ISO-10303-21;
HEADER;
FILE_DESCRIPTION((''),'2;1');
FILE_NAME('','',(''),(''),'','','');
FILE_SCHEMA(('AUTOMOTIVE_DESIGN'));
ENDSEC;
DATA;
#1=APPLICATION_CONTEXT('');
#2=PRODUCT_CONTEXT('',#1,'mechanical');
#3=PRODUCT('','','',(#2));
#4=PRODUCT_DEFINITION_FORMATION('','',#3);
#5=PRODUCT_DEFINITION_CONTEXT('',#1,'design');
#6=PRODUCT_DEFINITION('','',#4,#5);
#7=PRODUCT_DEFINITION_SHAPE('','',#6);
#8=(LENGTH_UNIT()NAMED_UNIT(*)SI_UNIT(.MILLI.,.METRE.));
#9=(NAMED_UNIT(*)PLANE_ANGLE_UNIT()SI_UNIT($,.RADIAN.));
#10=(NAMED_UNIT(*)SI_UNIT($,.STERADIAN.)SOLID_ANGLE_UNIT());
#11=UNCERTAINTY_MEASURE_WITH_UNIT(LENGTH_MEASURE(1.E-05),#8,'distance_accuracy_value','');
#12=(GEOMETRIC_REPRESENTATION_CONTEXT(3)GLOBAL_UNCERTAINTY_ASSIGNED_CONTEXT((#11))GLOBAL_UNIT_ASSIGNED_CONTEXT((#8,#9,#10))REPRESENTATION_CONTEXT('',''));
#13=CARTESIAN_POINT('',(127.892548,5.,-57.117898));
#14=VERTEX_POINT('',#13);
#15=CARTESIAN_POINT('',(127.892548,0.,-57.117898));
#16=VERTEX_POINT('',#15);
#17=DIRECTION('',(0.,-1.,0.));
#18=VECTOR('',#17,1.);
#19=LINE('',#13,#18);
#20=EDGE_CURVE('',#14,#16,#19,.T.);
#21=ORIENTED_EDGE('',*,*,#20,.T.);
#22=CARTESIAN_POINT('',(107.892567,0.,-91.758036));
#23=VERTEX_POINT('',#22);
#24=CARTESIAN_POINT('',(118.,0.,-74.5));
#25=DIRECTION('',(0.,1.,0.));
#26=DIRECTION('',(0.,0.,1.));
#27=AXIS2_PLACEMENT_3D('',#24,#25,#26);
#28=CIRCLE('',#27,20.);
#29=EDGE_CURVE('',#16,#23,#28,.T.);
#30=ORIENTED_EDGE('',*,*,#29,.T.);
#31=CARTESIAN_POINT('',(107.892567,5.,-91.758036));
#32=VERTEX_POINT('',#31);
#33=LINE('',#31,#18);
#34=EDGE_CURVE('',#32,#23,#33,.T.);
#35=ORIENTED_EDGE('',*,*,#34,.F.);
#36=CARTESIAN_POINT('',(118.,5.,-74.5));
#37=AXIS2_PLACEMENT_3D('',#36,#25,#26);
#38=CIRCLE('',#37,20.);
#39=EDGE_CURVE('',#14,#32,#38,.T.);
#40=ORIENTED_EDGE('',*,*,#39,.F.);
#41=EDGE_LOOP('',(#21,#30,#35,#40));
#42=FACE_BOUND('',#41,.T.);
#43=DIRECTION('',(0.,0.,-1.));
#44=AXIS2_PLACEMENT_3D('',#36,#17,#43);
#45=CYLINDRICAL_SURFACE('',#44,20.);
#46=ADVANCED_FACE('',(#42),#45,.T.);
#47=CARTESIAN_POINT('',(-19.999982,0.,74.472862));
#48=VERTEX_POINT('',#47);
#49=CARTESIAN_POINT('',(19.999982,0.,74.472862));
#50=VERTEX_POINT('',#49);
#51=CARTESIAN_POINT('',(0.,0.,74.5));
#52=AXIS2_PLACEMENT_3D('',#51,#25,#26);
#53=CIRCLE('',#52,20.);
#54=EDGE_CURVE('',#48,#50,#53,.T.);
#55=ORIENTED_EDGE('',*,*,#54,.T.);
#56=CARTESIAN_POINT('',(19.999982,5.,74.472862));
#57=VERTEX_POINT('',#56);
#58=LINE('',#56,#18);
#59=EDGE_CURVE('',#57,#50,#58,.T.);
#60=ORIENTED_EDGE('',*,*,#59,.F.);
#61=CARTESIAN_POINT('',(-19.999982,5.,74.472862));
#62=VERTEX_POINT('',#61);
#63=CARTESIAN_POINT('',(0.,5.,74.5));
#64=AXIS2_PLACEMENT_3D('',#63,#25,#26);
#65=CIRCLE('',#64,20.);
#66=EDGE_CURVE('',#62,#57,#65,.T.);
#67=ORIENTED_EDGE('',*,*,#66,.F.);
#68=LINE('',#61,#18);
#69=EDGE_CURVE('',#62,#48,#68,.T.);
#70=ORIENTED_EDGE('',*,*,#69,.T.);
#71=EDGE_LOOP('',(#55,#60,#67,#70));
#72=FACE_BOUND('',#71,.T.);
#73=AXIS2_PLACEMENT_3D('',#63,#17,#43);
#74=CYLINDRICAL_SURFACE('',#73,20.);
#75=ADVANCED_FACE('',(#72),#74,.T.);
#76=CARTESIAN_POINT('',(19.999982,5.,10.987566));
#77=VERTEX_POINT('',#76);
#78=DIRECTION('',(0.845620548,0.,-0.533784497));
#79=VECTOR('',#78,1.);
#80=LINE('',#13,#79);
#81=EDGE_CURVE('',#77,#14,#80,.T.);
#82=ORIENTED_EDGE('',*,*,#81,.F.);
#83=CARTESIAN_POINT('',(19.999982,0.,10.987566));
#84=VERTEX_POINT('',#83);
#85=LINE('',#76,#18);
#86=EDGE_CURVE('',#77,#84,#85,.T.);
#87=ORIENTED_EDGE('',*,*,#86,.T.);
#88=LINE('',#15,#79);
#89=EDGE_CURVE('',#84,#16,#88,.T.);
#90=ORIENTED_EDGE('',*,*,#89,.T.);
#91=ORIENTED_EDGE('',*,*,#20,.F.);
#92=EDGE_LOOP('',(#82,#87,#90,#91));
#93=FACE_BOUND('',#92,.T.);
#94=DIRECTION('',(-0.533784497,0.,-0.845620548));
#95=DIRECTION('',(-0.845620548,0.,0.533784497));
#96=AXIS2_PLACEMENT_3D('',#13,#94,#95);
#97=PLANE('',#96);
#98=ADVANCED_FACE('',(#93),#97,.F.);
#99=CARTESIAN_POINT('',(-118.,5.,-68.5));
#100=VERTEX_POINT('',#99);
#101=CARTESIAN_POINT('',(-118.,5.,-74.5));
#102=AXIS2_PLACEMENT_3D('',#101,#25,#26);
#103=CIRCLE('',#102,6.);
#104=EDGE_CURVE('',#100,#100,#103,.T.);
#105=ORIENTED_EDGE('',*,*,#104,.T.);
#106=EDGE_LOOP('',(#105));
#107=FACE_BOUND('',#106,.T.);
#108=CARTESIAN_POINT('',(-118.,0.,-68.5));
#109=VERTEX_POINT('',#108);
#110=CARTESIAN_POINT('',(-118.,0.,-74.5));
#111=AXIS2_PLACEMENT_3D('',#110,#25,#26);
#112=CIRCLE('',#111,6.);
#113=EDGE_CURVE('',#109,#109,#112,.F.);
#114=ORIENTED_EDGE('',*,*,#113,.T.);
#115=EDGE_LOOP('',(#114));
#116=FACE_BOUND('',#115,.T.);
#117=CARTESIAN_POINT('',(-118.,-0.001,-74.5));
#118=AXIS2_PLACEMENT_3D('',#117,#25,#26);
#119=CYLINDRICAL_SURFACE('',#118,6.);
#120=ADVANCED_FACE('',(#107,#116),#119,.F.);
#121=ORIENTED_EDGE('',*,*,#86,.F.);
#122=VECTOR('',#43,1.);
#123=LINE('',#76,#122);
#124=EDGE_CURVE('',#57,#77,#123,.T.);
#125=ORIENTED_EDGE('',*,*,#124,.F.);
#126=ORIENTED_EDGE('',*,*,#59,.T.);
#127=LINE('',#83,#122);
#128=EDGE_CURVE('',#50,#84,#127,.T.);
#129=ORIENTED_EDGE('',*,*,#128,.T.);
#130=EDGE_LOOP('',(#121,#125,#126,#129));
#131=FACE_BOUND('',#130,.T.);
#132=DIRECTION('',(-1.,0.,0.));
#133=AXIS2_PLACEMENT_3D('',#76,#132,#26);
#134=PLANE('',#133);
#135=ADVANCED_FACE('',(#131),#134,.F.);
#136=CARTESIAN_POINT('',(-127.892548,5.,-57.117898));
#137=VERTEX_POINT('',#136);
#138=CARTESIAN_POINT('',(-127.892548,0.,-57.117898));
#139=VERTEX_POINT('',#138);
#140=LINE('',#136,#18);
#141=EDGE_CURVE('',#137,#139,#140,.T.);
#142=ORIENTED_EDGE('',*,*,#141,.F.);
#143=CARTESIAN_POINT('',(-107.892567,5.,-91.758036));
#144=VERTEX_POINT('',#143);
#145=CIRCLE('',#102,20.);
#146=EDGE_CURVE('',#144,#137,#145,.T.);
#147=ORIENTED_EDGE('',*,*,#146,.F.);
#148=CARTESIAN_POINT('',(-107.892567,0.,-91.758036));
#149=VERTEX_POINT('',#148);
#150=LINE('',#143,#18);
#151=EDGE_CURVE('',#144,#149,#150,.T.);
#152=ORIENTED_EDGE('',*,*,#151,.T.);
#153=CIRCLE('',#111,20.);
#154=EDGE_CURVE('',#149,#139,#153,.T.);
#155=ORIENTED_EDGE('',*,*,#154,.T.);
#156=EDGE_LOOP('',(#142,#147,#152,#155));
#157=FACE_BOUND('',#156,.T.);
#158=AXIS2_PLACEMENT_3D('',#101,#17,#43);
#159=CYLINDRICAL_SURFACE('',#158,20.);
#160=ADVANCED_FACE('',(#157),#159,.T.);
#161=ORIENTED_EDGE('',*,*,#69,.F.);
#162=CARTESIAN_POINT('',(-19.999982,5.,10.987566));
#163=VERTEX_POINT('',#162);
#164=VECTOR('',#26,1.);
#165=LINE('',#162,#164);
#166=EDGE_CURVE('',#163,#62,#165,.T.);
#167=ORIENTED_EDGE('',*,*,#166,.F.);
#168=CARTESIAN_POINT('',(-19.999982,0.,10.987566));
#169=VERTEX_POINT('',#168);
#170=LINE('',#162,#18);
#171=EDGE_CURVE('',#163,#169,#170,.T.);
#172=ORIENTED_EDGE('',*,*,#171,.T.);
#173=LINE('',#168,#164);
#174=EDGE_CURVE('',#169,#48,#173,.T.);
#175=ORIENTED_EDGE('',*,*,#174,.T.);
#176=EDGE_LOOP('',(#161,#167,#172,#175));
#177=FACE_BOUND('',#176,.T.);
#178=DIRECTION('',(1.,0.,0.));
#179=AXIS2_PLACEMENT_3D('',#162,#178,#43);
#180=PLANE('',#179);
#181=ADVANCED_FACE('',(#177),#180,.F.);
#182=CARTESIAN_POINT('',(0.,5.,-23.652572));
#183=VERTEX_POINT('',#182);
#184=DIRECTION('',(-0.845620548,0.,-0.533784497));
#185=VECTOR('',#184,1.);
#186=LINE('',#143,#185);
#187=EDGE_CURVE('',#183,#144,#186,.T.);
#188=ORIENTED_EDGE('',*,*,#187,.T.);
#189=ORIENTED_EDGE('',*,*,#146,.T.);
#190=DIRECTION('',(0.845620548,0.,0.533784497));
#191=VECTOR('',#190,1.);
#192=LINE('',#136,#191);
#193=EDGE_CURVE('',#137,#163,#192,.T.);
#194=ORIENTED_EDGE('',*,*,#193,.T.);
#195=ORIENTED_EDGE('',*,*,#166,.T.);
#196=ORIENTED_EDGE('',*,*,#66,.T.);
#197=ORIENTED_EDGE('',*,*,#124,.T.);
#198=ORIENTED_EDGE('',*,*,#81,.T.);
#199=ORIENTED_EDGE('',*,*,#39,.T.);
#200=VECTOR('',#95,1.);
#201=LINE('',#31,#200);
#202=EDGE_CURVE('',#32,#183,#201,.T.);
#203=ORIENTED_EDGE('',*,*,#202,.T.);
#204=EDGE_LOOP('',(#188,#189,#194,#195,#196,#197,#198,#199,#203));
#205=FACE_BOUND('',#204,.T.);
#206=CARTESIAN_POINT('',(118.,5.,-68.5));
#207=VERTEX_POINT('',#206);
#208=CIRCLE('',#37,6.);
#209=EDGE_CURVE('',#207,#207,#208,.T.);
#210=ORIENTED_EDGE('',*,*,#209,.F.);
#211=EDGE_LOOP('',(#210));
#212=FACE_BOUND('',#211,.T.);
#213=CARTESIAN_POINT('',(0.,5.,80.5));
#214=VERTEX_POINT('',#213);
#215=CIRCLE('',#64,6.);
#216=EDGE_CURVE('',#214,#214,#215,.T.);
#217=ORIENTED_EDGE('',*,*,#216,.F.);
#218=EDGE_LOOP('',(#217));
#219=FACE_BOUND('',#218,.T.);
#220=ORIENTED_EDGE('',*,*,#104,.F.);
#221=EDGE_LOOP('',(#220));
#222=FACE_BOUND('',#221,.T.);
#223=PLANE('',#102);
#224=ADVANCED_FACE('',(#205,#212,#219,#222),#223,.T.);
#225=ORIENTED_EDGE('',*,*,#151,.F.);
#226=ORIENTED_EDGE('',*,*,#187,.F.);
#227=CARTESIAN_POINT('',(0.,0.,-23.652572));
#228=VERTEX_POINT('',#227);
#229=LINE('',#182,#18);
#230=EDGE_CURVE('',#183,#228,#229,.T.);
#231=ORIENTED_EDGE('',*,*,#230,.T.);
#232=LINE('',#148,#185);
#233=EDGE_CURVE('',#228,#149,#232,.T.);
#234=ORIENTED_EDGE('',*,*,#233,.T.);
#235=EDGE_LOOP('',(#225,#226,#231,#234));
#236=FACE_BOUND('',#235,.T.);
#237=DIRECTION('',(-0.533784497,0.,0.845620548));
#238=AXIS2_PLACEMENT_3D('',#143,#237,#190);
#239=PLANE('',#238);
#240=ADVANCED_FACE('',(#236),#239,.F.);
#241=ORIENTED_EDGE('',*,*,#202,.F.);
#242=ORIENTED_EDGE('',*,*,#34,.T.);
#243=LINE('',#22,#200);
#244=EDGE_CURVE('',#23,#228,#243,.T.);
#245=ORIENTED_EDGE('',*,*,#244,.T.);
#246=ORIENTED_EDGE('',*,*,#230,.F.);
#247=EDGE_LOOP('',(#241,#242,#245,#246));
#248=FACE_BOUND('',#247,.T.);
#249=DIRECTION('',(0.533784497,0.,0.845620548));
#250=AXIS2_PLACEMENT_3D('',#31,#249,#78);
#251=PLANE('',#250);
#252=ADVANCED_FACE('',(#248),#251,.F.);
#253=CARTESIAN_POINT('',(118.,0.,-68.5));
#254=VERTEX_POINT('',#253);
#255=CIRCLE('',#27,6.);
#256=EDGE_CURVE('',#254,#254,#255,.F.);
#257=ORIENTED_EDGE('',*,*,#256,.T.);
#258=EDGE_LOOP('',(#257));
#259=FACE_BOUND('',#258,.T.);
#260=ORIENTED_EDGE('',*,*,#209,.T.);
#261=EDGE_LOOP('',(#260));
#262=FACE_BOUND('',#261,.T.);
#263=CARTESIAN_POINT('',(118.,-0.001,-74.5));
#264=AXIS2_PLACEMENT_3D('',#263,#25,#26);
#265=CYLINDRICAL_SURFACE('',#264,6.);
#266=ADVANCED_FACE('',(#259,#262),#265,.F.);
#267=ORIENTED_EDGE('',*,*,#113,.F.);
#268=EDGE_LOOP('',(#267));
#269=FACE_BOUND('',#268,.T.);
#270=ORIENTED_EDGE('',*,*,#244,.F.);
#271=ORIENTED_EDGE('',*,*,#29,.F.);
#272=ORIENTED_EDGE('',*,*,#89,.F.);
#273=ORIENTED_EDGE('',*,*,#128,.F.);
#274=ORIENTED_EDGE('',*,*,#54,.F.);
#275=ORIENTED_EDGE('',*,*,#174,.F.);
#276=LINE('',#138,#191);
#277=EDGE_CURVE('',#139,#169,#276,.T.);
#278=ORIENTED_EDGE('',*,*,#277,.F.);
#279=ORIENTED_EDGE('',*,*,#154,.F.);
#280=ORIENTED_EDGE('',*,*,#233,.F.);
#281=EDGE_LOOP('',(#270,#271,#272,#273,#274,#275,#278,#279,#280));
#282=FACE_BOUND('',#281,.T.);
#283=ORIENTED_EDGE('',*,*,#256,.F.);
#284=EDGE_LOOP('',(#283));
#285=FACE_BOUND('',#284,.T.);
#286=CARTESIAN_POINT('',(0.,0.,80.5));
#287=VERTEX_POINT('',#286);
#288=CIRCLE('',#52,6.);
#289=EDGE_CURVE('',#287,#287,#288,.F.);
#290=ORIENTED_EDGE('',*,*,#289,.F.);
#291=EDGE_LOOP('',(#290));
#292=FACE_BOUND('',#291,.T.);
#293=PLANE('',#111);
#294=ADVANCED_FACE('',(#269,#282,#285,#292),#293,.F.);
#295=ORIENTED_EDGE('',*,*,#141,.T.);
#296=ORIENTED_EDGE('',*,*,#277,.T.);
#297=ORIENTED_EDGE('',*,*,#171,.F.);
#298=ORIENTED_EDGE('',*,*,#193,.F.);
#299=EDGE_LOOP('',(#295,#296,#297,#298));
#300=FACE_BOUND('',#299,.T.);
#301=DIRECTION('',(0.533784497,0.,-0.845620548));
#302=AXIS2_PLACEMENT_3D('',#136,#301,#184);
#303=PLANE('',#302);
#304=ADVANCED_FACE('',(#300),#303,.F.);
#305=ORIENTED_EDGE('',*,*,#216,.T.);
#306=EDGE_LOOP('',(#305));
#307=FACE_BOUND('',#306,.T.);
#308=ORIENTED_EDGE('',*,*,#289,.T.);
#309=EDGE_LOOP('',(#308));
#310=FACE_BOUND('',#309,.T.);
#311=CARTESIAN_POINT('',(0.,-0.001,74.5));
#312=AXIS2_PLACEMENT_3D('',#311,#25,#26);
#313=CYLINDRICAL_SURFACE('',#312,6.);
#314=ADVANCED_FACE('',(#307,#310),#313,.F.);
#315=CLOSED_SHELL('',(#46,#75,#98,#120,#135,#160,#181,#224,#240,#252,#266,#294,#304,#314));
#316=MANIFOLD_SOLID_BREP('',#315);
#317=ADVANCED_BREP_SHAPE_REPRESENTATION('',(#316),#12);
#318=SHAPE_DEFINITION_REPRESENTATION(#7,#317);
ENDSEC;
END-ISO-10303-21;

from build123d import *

# Parameters (mm, degrees)
EXTRUDE1_DEPTH = 5
EXTRUDE2_REACH = 169.33
SKETCH2_R      = 6


with BuildPart() as part:
    # Sketch1 → Extrude1 (new body)
    with BuildSketch(Plane(origin=(0, 0, 0), x_dir=(1, 0, 0), z_dir=(0, 1, 0))):
        with BuildLine():
            Line((-107.892566896, 91.758035695), (0, 23.652571955))
            Line((0, 23.652571955), (107.892566896, 91.758035695))
            ThreePointArc((107.892566896, 91.758035695), (135.320402304, 84.500183199), (127.892548484, 57.117897581))
            Line((127.892548484, 57.117897581), (19.999981588, -10.987566159))
            Line((19.999981588, -10.987566159), (19.999981588, -74.472862077))
            ThreePointArc((19.999981588, -74.472862077), (0, -94.5), (-19.999981588, -74.472862077))
            Line((-19.999981588, -74.472862077), (-19.999981588, -10.987566159))
            Line((-19.999981588, -10.987566159), (-127.892548484, 57.117897581))
            ThreePointArc((-127.892548484, 57.117897581), (-135.320402304, 84.500183199), (-107.892566896, 91.758035695))
        make_face()
    extrude(amount=EXTRUDE1_DEPTH)

    # Sketch2 → Extrude2 (cut, up to next)
    with BuildSketch(Plane(origin=(0, 5, 0), x_dir=(-1, 0, 0), z_dir=(0, 1, 0)), mode=Mode.PRIVATE) as extrude2_sk1:
        with Locations(Location((118, -74.5, 0), (0, 0, 90))):
            Circle(SKETCH2_R)
    extrude2_tool1 = extrude(extrude2_sk1.sketch, amount=-EXTRUDE2_REACH, mode=Mode.PRIVATE) & part.part
    # Sketch2 → Extrude2 (cut, up to next)
    with BuildSketch(Plane(origin=(0, 5, 0), x_dir=(-1, 0, 0), z_dir=(0, 1, 0)), mode=Mode.PRIVATE) as extrude2_sk2:
        with Locations(Location((-118, -74.5, 0), (0, 0, 90))):
            Circle(SKETCH2_R)
    extrude2_tool2 = extrude(extrude2_sk2.sketch, amount=-EXTRUDE2_REACH, mode=Mode.PRIVATE) & part.part
    # Sketch2 → Extrude2 (cut, up to next)
    with BuildSketch(Plane(origin=(0, 5, 0), x_dir=(-1, 0, 0), z_dir=(0, 1, 0)), mode=Mode.PRIVATE) as extrude2_sk3:
        with Locations(Location((0, 74.5, 0), (0, 0, 90))):
            Circle(SKETCH2_R)
    extrude2_tool3 = extrude(extrude2_sk3.sketch, amount=-EXTRUDE2_REACH, mode=Mode.PRIVATE) & part.part
    add(extrude2_tool1.solids().sort_by_distance((-118, 5, -74.5))[0], mode=Mode.SUBTRACT)
    add(extrude2_tool2.solids().sort_by_distance((118, 5, -74.5))[0], mode=Mode.SUBTRACT)
    add(extrude2_tool3.solids().sort_by_distance((0, 5, 74.5))[0], mode=Mode.SUBTRACT)


solid = part.part
